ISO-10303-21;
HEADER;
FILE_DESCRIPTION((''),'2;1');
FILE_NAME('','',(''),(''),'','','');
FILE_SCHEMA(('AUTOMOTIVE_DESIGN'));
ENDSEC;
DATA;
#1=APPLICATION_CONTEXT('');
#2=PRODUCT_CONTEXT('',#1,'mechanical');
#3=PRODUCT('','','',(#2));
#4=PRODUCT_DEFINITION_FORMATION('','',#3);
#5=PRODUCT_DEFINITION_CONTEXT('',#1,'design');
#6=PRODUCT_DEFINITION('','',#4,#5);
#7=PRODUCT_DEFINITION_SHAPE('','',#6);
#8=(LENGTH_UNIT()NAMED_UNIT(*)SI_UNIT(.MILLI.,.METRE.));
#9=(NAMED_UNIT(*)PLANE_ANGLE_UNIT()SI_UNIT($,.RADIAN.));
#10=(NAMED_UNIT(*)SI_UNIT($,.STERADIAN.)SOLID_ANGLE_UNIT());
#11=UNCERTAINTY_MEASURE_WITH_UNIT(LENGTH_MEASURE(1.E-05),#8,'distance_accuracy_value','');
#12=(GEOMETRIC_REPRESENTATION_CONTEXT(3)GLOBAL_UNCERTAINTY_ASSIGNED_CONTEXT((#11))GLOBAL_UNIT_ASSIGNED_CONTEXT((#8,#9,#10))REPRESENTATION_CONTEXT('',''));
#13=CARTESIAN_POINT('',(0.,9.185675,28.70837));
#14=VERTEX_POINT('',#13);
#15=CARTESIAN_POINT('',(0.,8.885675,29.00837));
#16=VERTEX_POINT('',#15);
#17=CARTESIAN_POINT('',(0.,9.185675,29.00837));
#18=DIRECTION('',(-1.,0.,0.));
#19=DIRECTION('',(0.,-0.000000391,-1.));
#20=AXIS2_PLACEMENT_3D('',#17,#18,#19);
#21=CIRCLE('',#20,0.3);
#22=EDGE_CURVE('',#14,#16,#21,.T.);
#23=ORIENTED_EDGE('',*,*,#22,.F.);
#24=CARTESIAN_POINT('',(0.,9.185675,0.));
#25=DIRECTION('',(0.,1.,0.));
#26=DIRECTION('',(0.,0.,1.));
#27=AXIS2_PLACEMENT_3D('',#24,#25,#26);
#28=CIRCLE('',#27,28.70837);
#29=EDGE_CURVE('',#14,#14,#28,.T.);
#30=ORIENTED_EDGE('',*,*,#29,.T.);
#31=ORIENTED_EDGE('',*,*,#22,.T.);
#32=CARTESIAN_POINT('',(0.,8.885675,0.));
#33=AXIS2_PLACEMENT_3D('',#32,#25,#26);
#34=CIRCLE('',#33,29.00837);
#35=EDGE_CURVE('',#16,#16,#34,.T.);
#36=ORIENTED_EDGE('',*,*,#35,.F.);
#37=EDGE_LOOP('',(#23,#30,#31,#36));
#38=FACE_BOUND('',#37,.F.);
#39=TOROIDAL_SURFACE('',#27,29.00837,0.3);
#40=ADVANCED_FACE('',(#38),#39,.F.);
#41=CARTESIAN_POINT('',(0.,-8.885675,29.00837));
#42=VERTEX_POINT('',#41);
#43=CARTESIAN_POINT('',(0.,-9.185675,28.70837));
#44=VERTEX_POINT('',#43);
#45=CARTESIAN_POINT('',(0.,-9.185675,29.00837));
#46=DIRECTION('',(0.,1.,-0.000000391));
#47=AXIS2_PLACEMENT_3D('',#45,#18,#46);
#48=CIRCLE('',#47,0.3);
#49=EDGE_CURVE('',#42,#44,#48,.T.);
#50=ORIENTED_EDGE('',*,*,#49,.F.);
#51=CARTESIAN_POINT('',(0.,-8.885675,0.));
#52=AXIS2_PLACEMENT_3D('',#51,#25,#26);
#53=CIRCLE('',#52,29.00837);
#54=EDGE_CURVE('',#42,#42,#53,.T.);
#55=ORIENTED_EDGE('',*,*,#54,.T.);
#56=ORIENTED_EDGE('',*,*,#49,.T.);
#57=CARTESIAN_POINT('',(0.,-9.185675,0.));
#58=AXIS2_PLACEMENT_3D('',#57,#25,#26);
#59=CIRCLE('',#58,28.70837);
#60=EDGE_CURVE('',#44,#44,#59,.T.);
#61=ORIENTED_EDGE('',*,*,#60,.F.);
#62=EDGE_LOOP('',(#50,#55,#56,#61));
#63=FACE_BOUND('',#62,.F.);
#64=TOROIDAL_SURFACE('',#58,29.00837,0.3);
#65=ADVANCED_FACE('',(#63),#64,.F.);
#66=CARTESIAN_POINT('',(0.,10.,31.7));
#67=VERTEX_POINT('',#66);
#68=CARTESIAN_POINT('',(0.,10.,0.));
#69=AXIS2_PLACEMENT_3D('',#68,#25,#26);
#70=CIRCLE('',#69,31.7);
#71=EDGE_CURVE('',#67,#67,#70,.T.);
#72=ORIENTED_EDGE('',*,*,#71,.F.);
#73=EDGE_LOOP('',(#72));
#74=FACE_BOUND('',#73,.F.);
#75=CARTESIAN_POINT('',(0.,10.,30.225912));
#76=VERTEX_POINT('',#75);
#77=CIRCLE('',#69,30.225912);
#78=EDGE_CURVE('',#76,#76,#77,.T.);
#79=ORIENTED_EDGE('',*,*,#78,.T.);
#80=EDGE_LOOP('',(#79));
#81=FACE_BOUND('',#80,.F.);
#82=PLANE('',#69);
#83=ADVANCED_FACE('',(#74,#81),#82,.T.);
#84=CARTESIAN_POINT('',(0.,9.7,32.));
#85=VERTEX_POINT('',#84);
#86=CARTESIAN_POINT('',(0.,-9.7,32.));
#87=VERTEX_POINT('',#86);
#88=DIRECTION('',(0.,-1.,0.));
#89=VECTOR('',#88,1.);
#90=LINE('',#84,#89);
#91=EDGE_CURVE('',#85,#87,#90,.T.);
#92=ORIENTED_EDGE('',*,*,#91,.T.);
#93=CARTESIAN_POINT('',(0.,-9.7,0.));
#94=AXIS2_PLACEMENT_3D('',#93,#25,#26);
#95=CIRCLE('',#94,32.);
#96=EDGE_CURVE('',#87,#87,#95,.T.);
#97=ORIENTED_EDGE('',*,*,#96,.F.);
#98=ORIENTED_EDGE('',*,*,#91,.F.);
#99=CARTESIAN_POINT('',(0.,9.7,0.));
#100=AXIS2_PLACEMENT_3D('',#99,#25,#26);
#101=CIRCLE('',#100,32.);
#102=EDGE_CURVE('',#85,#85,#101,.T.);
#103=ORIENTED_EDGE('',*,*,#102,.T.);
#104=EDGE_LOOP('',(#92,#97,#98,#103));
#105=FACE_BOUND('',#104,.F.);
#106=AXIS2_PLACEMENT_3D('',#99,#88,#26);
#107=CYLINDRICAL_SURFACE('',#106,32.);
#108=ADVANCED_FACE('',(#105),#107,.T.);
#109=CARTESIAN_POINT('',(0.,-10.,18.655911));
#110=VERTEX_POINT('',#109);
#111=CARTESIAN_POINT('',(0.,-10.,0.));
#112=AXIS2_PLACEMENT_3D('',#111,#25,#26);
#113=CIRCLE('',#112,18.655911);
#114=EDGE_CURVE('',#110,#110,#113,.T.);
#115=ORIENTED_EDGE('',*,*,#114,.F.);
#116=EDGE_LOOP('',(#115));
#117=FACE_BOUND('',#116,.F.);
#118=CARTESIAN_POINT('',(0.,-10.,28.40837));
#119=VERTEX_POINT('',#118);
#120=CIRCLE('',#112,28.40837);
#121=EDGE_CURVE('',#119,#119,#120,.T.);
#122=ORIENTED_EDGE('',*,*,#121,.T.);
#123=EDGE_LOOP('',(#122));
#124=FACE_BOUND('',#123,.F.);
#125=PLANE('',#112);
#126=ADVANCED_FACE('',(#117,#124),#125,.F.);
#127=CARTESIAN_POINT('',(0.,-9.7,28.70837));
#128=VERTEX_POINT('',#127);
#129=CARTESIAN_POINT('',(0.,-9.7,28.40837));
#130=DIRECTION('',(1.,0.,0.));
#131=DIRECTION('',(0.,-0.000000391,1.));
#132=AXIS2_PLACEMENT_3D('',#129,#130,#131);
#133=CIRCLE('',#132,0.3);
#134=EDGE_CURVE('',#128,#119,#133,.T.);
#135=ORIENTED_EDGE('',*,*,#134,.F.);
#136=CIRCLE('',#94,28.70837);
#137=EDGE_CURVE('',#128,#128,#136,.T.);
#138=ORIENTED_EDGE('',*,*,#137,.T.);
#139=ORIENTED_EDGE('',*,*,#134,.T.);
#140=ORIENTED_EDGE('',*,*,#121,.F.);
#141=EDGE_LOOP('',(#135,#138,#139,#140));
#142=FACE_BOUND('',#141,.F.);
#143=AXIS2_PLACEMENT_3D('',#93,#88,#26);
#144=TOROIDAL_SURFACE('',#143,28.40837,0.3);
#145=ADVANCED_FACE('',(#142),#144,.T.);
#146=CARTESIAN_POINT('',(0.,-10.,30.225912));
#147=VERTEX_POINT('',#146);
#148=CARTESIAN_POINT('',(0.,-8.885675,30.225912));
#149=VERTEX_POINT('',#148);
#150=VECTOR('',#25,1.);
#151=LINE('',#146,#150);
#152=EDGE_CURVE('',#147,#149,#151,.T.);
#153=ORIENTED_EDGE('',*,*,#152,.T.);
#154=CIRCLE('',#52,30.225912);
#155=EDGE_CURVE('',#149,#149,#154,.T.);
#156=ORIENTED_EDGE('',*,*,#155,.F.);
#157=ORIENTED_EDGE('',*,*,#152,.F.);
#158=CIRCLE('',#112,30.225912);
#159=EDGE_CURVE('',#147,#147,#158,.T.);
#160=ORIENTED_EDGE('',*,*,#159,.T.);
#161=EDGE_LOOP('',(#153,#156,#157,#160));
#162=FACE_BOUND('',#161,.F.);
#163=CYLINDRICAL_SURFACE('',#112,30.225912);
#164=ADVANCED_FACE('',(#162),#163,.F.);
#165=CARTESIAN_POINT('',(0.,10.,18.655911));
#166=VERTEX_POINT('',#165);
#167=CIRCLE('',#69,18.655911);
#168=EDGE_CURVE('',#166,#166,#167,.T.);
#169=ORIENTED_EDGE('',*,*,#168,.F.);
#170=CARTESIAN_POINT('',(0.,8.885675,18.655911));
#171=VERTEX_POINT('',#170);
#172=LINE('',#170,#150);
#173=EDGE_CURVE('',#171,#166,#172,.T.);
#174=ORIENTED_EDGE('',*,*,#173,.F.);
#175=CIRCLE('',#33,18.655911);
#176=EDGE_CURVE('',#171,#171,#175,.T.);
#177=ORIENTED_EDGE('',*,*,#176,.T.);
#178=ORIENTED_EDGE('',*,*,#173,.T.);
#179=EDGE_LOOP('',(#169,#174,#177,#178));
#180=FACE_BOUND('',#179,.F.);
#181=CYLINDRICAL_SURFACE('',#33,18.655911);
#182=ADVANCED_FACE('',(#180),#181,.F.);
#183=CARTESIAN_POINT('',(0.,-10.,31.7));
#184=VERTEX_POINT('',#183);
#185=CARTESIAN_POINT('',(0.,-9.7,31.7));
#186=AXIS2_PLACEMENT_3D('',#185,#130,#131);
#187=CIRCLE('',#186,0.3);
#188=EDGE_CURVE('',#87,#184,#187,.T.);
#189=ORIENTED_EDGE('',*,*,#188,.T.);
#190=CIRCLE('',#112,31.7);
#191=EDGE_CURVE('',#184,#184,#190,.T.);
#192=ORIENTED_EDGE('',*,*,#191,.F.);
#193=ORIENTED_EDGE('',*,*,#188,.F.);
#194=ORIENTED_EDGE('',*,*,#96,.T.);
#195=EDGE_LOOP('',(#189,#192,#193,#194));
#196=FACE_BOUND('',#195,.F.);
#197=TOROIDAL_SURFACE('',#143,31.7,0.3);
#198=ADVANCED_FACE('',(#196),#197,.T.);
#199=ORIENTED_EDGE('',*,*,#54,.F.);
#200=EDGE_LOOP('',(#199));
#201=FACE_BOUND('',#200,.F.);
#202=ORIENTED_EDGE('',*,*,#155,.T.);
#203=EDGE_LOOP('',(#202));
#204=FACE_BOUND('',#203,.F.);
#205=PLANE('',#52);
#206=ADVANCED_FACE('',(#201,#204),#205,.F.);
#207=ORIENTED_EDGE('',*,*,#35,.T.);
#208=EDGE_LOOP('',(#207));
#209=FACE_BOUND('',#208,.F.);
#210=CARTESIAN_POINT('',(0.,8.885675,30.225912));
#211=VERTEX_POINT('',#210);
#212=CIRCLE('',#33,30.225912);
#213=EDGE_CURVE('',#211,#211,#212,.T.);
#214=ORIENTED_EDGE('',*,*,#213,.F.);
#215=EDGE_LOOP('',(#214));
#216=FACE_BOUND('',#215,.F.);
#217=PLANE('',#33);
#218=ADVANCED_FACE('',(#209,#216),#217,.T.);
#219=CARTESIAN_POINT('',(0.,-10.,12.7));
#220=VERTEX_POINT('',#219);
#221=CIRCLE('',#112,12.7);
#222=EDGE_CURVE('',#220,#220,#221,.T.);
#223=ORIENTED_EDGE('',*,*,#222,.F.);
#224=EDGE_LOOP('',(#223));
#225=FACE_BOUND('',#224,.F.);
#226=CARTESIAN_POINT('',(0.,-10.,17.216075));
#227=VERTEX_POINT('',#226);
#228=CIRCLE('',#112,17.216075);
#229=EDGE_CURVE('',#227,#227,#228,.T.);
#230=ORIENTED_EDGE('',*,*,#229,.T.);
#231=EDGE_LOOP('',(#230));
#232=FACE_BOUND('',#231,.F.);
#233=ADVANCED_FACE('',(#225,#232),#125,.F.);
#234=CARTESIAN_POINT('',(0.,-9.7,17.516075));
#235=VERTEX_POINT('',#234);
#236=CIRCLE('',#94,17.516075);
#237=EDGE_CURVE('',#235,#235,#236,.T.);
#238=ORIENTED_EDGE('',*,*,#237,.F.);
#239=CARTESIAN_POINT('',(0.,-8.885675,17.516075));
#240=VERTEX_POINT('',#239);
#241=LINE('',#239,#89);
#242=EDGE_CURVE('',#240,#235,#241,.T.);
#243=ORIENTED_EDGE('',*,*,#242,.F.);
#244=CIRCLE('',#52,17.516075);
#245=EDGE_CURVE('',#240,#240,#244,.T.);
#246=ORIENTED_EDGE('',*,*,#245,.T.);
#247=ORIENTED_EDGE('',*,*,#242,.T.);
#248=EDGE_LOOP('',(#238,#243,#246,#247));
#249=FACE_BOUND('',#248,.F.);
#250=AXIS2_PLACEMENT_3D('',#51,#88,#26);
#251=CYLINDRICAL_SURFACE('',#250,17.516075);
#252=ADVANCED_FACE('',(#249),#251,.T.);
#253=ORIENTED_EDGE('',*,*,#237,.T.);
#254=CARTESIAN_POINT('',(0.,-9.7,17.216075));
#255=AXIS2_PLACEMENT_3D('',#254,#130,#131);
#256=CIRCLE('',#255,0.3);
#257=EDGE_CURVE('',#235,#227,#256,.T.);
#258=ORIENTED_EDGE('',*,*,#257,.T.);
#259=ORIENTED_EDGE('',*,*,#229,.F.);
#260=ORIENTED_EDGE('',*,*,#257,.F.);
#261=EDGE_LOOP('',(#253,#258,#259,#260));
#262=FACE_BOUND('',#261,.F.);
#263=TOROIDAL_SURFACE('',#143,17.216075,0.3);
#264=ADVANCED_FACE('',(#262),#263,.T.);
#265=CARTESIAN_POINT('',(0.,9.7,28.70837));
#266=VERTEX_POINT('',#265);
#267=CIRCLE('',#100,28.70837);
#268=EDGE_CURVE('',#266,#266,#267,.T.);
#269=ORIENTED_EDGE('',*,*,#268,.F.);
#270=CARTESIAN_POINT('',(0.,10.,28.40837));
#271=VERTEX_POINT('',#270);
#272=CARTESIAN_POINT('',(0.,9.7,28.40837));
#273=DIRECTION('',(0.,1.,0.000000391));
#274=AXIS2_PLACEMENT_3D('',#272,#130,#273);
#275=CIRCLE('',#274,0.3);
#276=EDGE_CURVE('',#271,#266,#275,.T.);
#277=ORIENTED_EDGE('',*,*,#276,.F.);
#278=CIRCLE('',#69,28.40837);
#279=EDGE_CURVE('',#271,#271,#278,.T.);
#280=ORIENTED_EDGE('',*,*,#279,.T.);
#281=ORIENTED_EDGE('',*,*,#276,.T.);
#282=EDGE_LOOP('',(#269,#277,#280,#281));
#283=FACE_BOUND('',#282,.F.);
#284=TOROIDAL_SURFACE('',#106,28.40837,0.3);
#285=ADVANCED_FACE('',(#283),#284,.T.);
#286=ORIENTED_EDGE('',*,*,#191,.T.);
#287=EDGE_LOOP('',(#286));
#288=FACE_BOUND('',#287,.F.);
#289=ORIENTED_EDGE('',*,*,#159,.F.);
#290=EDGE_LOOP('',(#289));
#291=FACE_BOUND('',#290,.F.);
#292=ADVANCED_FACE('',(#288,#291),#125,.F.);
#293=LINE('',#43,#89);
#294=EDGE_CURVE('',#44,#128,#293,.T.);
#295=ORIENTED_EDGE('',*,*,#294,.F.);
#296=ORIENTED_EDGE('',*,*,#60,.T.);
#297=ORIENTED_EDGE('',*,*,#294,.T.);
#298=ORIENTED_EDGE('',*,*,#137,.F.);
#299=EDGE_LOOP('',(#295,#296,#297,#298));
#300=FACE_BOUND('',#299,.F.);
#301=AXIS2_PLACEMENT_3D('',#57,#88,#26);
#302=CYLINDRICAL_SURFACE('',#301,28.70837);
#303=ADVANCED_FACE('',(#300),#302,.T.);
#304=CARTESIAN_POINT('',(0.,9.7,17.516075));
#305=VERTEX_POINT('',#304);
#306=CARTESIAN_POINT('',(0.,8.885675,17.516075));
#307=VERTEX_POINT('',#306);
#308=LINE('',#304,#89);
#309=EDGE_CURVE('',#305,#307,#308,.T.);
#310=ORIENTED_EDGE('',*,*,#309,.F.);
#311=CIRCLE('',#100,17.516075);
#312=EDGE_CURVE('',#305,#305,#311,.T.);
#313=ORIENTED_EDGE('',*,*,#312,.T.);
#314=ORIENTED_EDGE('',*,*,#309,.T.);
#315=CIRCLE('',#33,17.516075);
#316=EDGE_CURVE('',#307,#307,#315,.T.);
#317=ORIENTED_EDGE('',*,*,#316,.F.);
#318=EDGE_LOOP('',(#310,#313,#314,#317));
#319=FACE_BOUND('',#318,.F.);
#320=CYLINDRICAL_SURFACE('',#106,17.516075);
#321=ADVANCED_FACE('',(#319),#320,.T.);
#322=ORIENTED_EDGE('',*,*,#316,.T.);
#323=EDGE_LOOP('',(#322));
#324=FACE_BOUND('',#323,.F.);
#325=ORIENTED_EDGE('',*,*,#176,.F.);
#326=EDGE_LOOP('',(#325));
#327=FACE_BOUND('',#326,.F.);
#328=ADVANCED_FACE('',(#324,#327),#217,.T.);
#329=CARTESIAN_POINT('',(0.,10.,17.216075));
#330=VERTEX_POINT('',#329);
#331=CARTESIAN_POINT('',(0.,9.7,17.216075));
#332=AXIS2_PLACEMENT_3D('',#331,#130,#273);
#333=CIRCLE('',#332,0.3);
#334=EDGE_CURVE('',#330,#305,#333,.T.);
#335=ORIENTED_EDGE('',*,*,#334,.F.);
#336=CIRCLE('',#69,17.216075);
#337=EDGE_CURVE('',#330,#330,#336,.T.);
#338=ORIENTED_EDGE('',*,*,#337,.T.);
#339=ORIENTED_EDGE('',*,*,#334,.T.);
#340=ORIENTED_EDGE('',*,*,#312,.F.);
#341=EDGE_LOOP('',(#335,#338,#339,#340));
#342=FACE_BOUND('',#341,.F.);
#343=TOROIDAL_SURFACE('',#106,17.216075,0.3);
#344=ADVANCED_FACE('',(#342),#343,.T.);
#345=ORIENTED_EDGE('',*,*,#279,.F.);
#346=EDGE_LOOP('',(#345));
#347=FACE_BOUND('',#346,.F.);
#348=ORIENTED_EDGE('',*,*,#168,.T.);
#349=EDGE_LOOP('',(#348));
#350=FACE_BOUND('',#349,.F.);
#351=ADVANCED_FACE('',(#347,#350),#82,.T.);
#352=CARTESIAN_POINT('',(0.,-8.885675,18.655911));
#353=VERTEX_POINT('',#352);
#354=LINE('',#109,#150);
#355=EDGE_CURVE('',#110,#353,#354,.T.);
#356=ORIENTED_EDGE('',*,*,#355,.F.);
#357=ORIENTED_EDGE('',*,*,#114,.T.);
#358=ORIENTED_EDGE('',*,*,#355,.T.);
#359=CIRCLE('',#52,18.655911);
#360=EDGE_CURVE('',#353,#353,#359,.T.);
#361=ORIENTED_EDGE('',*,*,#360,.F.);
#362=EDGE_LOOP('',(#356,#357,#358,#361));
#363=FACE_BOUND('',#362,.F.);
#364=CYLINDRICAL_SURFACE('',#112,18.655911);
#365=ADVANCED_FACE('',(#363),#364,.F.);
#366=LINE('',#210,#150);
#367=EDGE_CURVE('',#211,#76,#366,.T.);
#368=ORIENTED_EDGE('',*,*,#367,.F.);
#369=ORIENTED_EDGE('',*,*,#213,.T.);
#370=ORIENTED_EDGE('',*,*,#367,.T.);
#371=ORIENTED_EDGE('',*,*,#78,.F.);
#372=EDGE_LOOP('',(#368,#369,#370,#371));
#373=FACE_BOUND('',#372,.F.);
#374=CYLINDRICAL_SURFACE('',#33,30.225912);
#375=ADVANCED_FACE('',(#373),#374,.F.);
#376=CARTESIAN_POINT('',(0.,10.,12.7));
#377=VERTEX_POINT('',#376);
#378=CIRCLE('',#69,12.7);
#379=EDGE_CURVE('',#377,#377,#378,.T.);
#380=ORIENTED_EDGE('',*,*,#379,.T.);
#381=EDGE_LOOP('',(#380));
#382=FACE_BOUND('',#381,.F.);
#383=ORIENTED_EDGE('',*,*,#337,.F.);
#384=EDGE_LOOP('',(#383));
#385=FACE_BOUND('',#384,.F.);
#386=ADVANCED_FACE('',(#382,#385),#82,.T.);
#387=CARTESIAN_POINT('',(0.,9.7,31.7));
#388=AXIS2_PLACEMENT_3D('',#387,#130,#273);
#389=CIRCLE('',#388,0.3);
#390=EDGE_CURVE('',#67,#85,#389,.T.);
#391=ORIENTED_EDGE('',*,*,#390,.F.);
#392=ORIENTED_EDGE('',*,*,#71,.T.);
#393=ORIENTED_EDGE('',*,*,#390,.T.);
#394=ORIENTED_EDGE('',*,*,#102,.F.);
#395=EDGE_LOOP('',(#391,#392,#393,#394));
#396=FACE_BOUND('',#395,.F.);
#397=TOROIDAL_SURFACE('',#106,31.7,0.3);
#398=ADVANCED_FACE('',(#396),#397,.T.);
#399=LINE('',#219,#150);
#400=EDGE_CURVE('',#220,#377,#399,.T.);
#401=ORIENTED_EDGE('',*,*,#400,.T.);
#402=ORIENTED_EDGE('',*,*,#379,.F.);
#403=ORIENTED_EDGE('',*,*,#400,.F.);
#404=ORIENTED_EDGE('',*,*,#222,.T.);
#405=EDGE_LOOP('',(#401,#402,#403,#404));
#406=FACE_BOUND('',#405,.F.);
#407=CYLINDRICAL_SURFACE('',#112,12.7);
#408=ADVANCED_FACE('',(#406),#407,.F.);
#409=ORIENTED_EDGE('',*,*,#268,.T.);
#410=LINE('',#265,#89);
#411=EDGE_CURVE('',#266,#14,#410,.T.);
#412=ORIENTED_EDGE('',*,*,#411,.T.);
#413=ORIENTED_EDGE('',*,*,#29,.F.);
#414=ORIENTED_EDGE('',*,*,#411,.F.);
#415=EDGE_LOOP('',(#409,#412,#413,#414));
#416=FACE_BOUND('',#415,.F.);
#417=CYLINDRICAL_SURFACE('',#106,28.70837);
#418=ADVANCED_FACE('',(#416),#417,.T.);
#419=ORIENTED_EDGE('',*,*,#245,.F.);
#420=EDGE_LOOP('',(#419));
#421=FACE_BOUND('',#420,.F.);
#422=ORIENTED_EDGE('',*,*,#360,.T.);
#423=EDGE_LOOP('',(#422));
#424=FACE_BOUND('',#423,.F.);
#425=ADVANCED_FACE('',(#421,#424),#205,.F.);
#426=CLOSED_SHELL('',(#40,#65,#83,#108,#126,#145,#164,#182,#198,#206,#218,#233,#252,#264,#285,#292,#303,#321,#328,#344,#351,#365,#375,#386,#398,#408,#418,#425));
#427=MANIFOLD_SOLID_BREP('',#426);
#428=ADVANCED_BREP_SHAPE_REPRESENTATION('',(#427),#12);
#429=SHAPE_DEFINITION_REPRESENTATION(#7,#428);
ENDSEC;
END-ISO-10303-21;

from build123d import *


with BuildPart() as f2:
    # F0 (on Right) → F2 (revolve)
    with BuildSketch(Plane.YZ):
        with BuildLine():
            Line((-10, 12.7), (0, 12.7))
            Line((0, 12.7), (10, 12.7))
            Line((10, 12.7), (10, 17.216075))
            ThreePointArc((10, 17.216075), (9.912132, 17.428207), (9.7, 17.516075))
            Line((9.7, 17.516075), (8.885675, 17.516075))
            Line((8.885675, 17.516075), (8.885675, 18.655911))
            Line((8.885675, 18.655911), (10, 18.655911))
            Line((10, 18.655911), (10, 28.40837))
            ThreePointArc((10, 28.40837), (9.912132, 28.620502), (9.7, 28.70837))
            Line((9.7, 28.70837), (9.185675, 28.70837))
            ThreePointArc((9.185675, 28.70837), (8.973543, 28.796238), (8.885675, 29.00837))
            Line((8.885675, 29.00837), (8.885675, 30.225912))
            Line((8.885675, 30.225912), (10, 30.225912))
            Line((10, 30.225912), (10, 31.7))
            ThreePointArc((10, 31.7), (9.912132, 31.912132), (9.7, 32))
            Line((9.7, 32), (0, 32))
            Line((0, 32), (-9.7, 32))
            ThreePointArc((-9.7, 32), (-9.912132, 31.912132), (-10, 31.7))
            Line((-10, 31.7), (-10, 30.225912))
            Line((-10, 30.225912), (-8.885675, 30.225912))
            Line((-8.885675, 30.225912), (-8.885675, 29.00837))
            ThreePointArc((-8.885675, 29.00837), (-8.973543, 28.796238), (-9.185675, 28.70837))
            Line((-9.185675, 28.70837), (-9.7, 28.70837))
            ThreePointArc((-9.7, 28.70837), (-9.912132, 28.620502), (-10, 28.40837))
            Line((-10, 28.40837), (-10, 18.655911))
            Line((-10, 18.655911), (-8.885675, 18.655911))
            Line((-8.885675, 18.655911), (-8.885675, 17.516075))
            Line((-8.885675, 17.516075), (-9.7, 17.516075))
            ThreePointArc((-9.7, 17.516075), (-9.912132, 17.428207), (-10, 17.216075))
            Line((-10, 17.216075), (-10, 12.7))
        make_face()
    revolve(axis=Axis((0, -1.806156, 0), (0, 1, 0)))


solid = f2.part
